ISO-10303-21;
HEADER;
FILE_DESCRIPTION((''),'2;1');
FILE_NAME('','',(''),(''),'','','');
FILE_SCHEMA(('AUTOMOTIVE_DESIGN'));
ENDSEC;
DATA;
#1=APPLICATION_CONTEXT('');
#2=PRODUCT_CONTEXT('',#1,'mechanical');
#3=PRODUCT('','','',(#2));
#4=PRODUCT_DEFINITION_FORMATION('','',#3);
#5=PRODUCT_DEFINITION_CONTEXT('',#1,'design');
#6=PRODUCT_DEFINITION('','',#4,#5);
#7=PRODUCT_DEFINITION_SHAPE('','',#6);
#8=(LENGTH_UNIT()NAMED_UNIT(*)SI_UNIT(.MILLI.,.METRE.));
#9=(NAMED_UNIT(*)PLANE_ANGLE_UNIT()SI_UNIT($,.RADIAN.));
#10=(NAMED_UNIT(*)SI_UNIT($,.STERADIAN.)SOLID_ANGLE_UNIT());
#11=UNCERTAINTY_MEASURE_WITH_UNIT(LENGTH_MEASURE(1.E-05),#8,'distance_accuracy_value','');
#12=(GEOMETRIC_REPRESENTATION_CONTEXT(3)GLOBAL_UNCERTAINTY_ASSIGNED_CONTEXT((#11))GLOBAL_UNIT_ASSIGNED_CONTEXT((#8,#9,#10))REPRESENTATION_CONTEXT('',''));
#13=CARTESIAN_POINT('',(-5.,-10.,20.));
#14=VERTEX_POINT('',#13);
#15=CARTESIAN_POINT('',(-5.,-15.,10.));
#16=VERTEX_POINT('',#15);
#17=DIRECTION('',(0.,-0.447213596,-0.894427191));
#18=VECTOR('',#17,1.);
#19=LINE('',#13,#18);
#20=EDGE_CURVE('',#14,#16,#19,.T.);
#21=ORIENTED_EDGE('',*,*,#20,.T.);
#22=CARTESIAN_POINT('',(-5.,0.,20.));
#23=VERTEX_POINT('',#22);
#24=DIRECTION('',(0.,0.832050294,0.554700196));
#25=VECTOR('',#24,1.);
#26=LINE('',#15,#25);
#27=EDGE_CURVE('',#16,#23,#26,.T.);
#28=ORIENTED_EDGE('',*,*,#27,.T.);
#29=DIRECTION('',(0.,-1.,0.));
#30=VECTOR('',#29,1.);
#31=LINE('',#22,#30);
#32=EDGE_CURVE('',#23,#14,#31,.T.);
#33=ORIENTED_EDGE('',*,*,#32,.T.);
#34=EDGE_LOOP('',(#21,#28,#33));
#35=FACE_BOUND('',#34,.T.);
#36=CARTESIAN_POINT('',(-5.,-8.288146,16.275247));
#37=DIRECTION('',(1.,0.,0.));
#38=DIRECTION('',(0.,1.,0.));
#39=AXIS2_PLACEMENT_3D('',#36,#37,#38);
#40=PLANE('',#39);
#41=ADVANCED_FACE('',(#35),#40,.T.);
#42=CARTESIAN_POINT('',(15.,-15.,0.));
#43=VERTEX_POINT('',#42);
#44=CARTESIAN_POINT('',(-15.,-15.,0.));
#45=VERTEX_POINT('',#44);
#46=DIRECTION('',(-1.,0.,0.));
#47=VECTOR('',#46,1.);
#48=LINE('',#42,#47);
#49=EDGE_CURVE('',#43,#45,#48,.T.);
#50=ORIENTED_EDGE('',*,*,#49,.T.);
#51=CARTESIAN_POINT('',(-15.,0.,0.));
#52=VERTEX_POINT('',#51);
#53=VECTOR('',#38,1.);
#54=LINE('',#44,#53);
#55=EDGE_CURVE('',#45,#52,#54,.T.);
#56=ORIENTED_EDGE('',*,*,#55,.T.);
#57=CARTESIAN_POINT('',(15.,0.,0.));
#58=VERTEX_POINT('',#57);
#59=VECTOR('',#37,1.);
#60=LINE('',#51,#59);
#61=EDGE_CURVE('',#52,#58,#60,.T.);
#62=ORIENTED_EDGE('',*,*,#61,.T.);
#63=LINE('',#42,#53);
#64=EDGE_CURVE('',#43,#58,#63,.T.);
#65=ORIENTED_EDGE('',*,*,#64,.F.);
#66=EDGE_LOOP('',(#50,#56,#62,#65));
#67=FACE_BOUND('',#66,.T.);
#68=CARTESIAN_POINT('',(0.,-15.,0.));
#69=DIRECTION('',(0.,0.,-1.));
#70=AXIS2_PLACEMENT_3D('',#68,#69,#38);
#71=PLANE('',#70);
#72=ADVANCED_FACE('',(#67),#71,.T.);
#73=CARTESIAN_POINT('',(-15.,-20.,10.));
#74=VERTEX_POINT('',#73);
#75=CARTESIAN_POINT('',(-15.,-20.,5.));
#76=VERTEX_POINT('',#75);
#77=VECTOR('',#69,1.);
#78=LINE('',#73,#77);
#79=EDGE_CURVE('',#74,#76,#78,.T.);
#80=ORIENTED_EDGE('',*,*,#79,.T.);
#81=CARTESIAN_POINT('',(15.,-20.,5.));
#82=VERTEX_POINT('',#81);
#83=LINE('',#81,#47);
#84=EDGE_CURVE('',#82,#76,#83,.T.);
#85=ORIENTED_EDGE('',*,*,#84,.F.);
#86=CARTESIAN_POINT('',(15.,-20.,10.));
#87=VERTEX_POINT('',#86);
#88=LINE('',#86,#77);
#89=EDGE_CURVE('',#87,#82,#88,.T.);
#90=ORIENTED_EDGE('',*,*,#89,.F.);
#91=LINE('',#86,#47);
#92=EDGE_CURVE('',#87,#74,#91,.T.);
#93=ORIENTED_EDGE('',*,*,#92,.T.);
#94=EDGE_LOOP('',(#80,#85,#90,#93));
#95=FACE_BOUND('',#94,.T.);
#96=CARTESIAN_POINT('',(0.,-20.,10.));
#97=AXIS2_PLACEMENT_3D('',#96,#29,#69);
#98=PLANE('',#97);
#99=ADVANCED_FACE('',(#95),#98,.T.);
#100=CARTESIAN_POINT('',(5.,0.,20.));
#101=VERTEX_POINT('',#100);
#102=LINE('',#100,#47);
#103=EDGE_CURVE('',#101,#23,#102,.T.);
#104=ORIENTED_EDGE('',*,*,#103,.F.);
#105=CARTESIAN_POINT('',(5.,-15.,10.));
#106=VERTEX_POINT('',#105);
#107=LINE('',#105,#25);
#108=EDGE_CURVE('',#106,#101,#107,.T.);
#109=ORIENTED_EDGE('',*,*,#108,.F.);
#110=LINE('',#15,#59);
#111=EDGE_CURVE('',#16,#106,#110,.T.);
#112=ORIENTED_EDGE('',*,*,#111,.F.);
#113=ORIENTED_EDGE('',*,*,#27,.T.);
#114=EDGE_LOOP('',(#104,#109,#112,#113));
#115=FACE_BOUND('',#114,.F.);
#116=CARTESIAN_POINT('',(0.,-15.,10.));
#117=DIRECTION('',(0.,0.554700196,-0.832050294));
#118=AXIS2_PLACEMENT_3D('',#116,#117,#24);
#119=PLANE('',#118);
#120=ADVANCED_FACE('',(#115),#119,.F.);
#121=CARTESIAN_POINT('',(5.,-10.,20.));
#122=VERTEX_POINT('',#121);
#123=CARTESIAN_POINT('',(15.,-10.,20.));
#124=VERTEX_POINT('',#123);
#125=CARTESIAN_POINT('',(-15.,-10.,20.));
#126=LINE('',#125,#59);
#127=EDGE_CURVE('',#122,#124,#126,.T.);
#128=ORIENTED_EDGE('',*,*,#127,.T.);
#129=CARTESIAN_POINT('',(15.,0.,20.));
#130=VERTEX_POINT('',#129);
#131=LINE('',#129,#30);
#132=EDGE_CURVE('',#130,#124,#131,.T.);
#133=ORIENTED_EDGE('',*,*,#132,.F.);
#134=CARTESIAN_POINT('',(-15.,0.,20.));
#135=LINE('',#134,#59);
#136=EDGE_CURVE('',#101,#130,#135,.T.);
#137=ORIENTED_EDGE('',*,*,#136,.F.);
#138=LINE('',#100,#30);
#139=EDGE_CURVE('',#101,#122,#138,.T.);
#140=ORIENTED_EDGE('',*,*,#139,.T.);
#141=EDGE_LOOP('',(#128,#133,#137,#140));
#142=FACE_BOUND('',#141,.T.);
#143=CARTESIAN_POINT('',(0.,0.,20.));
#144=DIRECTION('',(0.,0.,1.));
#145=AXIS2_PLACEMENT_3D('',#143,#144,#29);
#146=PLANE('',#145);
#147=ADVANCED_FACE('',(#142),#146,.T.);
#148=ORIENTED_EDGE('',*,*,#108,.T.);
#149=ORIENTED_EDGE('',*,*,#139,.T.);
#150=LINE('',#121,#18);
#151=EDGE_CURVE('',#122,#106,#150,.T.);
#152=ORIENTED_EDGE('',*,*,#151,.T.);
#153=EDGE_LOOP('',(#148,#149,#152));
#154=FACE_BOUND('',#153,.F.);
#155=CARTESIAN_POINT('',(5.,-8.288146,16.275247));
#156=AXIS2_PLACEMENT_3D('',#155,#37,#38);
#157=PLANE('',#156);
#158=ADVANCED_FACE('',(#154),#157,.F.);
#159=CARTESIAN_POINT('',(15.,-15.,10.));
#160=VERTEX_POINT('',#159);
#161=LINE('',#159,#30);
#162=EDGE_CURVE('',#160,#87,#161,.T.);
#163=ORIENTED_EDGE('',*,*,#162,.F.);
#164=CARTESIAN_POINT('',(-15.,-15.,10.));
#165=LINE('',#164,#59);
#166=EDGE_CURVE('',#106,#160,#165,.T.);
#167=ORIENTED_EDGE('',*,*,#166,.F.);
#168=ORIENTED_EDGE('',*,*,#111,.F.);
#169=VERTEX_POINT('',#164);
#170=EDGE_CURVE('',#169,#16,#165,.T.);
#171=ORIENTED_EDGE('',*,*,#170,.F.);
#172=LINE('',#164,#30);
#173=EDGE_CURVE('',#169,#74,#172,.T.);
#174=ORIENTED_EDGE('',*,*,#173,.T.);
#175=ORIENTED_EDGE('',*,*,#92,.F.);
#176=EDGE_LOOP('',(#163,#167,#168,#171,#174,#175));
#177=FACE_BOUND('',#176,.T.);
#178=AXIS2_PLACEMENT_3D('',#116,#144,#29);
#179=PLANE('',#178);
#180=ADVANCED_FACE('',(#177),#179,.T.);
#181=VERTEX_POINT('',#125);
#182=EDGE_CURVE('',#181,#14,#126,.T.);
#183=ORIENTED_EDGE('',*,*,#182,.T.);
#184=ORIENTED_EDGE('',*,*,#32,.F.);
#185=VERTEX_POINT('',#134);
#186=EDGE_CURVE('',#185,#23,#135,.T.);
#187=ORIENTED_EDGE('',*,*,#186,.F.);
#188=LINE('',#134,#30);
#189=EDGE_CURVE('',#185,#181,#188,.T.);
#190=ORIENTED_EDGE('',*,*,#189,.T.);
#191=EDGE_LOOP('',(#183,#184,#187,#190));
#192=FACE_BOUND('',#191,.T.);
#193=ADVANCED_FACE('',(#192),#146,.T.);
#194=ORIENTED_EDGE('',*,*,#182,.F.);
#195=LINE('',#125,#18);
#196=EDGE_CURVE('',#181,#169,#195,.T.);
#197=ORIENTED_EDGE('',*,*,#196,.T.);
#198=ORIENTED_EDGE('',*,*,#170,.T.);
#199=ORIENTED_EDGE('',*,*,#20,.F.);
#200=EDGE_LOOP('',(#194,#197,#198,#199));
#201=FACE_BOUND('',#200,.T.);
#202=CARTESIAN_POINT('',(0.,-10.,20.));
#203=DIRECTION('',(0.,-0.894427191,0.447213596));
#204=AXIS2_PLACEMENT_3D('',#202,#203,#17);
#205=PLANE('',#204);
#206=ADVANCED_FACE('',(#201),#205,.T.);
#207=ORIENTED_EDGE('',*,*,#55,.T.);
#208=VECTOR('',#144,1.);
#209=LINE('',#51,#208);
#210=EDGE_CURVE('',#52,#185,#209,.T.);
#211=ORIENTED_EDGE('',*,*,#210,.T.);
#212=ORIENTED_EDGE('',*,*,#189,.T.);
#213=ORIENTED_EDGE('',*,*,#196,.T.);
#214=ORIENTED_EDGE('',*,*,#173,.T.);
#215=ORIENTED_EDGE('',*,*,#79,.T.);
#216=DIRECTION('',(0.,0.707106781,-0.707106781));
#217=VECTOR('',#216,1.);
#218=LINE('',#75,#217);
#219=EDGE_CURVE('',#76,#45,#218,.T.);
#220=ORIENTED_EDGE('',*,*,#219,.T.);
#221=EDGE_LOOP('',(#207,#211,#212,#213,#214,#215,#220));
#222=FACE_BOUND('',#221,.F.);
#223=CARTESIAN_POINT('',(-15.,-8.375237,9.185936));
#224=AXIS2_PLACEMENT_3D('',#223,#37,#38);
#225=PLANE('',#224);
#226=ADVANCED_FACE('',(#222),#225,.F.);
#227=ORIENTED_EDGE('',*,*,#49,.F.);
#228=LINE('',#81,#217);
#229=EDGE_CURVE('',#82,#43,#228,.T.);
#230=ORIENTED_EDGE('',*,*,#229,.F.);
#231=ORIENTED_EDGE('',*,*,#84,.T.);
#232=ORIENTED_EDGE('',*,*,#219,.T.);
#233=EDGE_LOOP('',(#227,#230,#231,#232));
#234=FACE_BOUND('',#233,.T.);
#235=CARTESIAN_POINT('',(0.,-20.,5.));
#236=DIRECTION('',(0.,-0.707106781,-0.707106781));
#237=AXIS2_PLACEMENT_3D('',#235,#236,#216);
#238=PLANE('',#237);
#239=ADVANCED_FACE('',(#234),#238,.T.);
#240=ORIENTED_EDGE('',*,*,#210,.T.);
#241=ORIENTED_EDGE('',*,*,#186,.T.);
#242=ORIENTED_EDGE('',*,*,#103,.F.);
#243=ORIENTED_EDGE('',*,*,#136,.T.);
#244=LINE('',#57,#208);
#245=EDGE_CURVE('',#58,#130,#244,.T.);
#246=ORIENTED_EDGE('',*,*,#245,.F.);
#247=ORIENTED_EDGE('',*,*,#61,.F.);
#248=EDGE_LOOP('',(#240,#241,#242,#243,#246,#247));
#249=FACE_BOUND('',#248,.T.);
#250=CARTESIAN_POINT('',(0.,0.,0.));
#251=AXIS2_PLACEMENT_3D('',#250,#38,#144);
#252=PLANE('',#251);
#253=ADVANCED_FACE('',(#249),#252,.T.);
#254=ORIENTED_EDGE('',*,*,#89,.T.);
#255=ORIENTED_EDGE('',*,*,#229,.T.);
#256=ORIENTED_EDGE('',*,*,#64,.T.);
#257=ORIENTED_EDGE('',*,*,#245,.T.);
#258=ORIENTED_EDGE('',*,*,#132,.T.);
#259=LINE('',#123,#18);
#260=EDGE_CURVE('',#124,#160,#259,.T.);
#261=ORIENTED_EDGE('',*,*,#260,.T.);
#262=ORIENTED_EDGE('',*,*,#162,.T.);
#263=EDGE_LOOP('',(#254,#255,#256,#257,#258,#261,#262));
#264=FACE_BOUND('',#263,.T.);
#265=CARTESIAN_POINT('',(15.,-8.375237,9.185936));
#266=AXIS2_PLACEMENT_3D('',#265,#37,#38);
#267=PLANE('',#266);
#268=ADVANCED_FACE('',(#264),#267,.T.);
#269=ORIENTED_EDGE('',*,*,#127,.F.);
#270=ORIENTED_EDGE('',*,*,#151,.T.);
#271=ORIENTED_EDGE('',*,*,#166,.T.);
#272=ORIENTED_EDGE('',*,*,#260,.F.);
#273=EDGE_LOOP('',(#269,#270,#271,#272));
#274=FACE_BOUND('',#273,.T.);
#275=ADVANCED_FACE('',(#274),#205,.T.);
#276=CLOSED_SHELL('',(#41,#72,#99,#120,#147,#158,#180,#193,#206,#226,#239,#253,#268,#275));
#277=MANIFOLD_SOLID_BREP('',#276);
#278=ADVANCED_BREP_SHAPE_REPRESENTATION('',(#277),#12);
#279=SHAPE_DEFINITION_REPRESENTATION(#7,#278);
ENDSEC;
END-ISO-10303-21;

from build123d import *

# Parameters (mm, degrees)
F1_DEPTH = 15
F3_DEPTH = 5


with BuildPart() as f1:
    # F0 (on Right) → F1 (new body, symmetric)
    with BuildSketch(Plane.YZ):
        Polygon((-15, 0), (0, 0), (0, 20), (-10, 20), (-15, 10), (-20, 10), (-20, 5), align=None)
    extrude(amount=F1_DEPTH, both=True)

    # F2 (on Right) → F3 (cut, symmetric)
    with BuildSketch(Plane.YZ):
        Polygon((-10, 20), (-15, 10), (0, 20), align=None)
    extrude(amount=F3_DEPTH, both=True, mode=Mode.SUBTRACT)


solid = f1.part
